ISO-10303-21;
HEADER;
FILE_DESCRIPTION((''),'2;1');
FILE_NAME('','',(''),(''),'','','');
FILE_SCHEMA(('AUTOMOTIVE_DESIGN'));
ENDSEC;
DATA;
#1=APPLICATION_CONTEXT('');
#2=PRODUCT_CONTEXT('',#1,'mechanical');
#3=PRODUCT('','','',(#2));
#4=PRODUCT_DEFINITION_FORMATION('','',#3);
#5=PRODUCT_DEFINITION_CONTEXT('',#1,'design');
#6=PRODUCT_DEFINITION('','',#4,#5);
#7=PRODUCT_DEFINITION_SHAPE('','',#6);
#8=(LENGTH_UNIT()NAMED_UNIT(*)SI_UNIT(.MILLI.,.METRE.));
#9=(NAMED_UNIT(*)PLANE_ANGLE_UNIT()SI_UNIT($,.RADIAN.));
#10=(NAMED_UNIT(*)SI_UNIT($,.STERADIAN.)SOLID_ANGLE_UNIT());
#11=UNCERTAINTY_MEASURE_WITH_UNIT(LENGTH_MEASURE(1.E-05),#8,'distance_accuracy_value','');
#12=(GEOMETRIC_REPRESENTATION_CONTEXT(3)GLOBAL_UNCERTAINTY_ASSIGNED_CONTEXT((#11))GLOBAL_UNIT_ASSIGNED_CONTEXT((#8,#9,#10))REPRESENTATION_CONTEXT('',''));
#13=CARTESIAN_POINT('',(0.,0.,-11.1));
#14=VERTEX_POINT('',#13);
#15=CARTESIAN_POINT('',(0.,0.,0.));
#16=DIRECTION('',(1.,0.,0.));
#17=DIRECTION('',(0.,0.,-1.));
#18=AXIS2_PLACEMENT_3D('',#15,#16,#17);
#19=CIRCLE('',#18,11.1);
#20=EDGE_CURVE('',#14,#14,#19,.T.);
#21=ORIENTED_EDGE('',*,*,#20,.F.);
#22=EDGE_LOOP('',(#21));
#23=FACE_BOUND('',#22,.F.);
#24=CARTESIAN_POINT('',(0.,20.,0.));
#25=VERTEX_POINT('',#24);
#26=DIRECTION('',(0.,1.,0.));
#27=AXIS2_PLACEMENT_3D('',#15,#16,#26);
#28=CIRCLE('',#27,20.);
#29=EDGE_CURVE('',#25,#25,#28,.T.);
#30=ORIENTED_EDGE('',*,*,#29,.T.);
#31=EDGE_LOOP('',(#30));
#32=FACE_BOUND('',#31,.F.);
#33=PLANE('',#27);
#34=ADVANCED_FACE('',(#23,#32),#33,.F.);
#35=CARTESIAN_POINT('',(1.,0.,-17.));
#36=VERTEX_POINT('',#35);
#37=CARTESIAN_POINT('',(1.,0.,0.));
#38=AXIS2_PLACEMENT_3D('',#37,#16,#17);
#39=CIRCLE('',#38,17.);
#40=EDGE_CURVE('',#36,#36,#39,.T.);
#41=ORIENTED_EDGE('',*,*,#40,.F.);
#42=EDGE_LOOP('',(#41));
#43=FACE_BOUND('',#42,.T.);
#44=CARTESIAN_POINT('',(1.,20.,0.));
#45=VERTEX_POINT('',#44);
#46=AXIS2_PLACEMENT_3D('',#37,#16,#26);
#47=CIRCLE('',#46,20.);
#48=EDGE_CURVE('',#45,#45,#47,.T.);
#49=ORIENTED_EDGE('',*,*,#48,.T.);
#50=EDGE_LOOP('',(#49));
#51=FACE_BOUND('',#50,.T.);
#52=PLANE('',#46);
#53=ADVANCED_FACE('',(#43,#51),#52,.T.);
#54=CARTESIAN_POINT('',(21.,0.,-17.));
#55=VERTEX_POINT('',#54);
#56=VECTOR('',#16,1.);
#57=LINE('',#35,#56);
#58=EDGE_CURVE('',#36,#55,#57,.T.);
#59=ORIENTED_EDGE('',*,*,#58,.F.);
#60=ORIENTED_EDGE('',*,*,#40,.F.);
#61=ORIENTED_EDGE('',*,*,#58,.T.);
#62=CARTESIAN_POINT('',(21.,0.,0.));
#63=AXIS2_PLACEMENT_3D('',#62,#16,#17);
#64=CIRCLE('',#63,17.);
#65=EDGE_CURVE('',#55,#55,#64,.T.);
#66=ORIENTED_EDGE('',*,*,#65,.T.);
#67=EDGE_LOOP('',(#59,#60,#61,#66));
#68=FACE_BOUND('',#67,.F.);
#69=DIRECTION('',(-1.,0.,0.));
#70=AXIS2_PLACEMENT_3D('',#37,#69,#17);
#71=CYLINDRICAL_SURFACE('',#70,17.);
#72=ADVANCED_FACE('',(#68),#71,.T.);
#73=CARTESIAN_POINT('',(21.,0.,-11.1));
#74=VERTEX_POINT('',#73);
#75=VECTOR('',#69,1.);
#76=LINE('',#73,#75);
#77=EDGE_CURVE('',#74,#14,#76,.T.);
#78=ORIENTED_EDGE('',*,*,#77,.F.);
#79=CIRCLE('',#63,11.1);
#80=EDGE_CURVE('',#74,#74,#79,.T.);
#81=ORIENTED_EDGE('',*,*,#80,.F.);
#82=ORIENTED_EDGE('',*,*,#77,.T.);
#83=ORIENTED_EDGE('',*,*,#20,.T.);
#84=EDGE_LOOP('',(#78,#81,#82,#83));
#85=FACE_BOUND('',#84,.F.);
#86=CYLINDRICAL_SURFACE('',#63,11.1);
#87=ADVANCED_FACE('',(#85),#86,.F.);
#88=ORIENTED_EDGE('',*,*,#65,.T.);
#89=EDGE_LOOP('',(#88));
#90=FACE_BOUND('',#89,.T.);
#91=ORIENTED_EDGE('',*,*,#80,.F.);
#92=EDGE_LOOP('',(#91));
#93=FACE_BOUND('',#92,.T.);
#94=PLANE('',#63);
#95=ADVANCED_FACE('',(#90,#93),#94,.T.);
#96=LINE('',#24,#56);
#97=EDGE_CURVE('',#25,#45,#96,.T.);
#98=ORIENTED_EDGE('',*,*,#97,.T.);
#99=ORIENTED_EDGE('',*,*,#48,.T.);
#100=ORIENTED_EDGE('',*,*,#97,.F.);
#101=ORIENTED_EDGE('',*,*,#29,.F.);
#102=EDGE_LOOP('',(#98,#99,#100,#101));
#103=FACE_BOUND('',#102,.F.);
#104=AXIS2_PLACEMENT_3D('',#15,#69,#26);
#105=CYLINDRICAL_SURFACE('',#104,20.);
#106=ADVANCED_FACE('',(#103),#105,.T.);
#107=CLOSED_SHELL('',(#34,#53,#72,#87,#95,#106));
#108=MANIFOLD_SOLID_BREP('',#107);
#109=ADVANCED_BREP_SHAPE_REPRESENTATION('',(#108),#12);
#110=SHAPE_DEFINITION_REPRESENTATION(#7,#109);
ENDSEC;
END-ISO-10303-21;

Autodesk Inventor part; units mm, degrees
ref_plane "YZ Plane" through (0, 0, 0) normal (1, 0, 0) x (0, 1, 0)
ref_plane "XZ Plane" through (0, 0, 0) normal (0, 1, 0) x (-1, 0, 0)
ref_plane "XY Plane" through (0, 0, 0) normal (0, 0, 1) x (1, 0, 0)
sketch "Skizze1" plane through (0, 0, 0) normal (1, 0, 0) x (0, 1, 0)
  circle A0 centre (0, 0) radius 20
  dimension "d0" = 40
extrude "Extrusion1" add sketch "Skizze1" along normal blind 1
sketch "Skizze2" plane through (1, 0, 0) normal (1, 0, 0) x (0, 0, -1)
  circle A0 centre (0, 0) radius 20 projected
  circle A1 centre (0, 0) radius 17
  dimension "d3" = 34
extrude "Extrusion2" add sketch "Skizze2" along normal blind 20 contours A1
sketch "Skizze5" plane through (0, 0, 0) normal (-1, 0, 0) x (0, 0, 1)
  circle A0 centre (0, 0) radius 20 projected
  circle A1 centre (0, 0) radius 5
  dimension "d12" = 10
extrude "Extrusion5" add sketch "Skizze5" along normal blind 10 contours A1
sketch "Skizze6" plane through (21, 0, 0) normal (1, 0, 0) x (0, 0, -1)
  circle A0 centre (0, 0) radius 17 projected
  circle A1 centre (0, 0) radius 11.1
  dimension "d15" = 22.2
extrude "Extrusion6" cut sketch "Skizze6" against normal through all contours A1
properties part number "Rolle_schieber22.2"
